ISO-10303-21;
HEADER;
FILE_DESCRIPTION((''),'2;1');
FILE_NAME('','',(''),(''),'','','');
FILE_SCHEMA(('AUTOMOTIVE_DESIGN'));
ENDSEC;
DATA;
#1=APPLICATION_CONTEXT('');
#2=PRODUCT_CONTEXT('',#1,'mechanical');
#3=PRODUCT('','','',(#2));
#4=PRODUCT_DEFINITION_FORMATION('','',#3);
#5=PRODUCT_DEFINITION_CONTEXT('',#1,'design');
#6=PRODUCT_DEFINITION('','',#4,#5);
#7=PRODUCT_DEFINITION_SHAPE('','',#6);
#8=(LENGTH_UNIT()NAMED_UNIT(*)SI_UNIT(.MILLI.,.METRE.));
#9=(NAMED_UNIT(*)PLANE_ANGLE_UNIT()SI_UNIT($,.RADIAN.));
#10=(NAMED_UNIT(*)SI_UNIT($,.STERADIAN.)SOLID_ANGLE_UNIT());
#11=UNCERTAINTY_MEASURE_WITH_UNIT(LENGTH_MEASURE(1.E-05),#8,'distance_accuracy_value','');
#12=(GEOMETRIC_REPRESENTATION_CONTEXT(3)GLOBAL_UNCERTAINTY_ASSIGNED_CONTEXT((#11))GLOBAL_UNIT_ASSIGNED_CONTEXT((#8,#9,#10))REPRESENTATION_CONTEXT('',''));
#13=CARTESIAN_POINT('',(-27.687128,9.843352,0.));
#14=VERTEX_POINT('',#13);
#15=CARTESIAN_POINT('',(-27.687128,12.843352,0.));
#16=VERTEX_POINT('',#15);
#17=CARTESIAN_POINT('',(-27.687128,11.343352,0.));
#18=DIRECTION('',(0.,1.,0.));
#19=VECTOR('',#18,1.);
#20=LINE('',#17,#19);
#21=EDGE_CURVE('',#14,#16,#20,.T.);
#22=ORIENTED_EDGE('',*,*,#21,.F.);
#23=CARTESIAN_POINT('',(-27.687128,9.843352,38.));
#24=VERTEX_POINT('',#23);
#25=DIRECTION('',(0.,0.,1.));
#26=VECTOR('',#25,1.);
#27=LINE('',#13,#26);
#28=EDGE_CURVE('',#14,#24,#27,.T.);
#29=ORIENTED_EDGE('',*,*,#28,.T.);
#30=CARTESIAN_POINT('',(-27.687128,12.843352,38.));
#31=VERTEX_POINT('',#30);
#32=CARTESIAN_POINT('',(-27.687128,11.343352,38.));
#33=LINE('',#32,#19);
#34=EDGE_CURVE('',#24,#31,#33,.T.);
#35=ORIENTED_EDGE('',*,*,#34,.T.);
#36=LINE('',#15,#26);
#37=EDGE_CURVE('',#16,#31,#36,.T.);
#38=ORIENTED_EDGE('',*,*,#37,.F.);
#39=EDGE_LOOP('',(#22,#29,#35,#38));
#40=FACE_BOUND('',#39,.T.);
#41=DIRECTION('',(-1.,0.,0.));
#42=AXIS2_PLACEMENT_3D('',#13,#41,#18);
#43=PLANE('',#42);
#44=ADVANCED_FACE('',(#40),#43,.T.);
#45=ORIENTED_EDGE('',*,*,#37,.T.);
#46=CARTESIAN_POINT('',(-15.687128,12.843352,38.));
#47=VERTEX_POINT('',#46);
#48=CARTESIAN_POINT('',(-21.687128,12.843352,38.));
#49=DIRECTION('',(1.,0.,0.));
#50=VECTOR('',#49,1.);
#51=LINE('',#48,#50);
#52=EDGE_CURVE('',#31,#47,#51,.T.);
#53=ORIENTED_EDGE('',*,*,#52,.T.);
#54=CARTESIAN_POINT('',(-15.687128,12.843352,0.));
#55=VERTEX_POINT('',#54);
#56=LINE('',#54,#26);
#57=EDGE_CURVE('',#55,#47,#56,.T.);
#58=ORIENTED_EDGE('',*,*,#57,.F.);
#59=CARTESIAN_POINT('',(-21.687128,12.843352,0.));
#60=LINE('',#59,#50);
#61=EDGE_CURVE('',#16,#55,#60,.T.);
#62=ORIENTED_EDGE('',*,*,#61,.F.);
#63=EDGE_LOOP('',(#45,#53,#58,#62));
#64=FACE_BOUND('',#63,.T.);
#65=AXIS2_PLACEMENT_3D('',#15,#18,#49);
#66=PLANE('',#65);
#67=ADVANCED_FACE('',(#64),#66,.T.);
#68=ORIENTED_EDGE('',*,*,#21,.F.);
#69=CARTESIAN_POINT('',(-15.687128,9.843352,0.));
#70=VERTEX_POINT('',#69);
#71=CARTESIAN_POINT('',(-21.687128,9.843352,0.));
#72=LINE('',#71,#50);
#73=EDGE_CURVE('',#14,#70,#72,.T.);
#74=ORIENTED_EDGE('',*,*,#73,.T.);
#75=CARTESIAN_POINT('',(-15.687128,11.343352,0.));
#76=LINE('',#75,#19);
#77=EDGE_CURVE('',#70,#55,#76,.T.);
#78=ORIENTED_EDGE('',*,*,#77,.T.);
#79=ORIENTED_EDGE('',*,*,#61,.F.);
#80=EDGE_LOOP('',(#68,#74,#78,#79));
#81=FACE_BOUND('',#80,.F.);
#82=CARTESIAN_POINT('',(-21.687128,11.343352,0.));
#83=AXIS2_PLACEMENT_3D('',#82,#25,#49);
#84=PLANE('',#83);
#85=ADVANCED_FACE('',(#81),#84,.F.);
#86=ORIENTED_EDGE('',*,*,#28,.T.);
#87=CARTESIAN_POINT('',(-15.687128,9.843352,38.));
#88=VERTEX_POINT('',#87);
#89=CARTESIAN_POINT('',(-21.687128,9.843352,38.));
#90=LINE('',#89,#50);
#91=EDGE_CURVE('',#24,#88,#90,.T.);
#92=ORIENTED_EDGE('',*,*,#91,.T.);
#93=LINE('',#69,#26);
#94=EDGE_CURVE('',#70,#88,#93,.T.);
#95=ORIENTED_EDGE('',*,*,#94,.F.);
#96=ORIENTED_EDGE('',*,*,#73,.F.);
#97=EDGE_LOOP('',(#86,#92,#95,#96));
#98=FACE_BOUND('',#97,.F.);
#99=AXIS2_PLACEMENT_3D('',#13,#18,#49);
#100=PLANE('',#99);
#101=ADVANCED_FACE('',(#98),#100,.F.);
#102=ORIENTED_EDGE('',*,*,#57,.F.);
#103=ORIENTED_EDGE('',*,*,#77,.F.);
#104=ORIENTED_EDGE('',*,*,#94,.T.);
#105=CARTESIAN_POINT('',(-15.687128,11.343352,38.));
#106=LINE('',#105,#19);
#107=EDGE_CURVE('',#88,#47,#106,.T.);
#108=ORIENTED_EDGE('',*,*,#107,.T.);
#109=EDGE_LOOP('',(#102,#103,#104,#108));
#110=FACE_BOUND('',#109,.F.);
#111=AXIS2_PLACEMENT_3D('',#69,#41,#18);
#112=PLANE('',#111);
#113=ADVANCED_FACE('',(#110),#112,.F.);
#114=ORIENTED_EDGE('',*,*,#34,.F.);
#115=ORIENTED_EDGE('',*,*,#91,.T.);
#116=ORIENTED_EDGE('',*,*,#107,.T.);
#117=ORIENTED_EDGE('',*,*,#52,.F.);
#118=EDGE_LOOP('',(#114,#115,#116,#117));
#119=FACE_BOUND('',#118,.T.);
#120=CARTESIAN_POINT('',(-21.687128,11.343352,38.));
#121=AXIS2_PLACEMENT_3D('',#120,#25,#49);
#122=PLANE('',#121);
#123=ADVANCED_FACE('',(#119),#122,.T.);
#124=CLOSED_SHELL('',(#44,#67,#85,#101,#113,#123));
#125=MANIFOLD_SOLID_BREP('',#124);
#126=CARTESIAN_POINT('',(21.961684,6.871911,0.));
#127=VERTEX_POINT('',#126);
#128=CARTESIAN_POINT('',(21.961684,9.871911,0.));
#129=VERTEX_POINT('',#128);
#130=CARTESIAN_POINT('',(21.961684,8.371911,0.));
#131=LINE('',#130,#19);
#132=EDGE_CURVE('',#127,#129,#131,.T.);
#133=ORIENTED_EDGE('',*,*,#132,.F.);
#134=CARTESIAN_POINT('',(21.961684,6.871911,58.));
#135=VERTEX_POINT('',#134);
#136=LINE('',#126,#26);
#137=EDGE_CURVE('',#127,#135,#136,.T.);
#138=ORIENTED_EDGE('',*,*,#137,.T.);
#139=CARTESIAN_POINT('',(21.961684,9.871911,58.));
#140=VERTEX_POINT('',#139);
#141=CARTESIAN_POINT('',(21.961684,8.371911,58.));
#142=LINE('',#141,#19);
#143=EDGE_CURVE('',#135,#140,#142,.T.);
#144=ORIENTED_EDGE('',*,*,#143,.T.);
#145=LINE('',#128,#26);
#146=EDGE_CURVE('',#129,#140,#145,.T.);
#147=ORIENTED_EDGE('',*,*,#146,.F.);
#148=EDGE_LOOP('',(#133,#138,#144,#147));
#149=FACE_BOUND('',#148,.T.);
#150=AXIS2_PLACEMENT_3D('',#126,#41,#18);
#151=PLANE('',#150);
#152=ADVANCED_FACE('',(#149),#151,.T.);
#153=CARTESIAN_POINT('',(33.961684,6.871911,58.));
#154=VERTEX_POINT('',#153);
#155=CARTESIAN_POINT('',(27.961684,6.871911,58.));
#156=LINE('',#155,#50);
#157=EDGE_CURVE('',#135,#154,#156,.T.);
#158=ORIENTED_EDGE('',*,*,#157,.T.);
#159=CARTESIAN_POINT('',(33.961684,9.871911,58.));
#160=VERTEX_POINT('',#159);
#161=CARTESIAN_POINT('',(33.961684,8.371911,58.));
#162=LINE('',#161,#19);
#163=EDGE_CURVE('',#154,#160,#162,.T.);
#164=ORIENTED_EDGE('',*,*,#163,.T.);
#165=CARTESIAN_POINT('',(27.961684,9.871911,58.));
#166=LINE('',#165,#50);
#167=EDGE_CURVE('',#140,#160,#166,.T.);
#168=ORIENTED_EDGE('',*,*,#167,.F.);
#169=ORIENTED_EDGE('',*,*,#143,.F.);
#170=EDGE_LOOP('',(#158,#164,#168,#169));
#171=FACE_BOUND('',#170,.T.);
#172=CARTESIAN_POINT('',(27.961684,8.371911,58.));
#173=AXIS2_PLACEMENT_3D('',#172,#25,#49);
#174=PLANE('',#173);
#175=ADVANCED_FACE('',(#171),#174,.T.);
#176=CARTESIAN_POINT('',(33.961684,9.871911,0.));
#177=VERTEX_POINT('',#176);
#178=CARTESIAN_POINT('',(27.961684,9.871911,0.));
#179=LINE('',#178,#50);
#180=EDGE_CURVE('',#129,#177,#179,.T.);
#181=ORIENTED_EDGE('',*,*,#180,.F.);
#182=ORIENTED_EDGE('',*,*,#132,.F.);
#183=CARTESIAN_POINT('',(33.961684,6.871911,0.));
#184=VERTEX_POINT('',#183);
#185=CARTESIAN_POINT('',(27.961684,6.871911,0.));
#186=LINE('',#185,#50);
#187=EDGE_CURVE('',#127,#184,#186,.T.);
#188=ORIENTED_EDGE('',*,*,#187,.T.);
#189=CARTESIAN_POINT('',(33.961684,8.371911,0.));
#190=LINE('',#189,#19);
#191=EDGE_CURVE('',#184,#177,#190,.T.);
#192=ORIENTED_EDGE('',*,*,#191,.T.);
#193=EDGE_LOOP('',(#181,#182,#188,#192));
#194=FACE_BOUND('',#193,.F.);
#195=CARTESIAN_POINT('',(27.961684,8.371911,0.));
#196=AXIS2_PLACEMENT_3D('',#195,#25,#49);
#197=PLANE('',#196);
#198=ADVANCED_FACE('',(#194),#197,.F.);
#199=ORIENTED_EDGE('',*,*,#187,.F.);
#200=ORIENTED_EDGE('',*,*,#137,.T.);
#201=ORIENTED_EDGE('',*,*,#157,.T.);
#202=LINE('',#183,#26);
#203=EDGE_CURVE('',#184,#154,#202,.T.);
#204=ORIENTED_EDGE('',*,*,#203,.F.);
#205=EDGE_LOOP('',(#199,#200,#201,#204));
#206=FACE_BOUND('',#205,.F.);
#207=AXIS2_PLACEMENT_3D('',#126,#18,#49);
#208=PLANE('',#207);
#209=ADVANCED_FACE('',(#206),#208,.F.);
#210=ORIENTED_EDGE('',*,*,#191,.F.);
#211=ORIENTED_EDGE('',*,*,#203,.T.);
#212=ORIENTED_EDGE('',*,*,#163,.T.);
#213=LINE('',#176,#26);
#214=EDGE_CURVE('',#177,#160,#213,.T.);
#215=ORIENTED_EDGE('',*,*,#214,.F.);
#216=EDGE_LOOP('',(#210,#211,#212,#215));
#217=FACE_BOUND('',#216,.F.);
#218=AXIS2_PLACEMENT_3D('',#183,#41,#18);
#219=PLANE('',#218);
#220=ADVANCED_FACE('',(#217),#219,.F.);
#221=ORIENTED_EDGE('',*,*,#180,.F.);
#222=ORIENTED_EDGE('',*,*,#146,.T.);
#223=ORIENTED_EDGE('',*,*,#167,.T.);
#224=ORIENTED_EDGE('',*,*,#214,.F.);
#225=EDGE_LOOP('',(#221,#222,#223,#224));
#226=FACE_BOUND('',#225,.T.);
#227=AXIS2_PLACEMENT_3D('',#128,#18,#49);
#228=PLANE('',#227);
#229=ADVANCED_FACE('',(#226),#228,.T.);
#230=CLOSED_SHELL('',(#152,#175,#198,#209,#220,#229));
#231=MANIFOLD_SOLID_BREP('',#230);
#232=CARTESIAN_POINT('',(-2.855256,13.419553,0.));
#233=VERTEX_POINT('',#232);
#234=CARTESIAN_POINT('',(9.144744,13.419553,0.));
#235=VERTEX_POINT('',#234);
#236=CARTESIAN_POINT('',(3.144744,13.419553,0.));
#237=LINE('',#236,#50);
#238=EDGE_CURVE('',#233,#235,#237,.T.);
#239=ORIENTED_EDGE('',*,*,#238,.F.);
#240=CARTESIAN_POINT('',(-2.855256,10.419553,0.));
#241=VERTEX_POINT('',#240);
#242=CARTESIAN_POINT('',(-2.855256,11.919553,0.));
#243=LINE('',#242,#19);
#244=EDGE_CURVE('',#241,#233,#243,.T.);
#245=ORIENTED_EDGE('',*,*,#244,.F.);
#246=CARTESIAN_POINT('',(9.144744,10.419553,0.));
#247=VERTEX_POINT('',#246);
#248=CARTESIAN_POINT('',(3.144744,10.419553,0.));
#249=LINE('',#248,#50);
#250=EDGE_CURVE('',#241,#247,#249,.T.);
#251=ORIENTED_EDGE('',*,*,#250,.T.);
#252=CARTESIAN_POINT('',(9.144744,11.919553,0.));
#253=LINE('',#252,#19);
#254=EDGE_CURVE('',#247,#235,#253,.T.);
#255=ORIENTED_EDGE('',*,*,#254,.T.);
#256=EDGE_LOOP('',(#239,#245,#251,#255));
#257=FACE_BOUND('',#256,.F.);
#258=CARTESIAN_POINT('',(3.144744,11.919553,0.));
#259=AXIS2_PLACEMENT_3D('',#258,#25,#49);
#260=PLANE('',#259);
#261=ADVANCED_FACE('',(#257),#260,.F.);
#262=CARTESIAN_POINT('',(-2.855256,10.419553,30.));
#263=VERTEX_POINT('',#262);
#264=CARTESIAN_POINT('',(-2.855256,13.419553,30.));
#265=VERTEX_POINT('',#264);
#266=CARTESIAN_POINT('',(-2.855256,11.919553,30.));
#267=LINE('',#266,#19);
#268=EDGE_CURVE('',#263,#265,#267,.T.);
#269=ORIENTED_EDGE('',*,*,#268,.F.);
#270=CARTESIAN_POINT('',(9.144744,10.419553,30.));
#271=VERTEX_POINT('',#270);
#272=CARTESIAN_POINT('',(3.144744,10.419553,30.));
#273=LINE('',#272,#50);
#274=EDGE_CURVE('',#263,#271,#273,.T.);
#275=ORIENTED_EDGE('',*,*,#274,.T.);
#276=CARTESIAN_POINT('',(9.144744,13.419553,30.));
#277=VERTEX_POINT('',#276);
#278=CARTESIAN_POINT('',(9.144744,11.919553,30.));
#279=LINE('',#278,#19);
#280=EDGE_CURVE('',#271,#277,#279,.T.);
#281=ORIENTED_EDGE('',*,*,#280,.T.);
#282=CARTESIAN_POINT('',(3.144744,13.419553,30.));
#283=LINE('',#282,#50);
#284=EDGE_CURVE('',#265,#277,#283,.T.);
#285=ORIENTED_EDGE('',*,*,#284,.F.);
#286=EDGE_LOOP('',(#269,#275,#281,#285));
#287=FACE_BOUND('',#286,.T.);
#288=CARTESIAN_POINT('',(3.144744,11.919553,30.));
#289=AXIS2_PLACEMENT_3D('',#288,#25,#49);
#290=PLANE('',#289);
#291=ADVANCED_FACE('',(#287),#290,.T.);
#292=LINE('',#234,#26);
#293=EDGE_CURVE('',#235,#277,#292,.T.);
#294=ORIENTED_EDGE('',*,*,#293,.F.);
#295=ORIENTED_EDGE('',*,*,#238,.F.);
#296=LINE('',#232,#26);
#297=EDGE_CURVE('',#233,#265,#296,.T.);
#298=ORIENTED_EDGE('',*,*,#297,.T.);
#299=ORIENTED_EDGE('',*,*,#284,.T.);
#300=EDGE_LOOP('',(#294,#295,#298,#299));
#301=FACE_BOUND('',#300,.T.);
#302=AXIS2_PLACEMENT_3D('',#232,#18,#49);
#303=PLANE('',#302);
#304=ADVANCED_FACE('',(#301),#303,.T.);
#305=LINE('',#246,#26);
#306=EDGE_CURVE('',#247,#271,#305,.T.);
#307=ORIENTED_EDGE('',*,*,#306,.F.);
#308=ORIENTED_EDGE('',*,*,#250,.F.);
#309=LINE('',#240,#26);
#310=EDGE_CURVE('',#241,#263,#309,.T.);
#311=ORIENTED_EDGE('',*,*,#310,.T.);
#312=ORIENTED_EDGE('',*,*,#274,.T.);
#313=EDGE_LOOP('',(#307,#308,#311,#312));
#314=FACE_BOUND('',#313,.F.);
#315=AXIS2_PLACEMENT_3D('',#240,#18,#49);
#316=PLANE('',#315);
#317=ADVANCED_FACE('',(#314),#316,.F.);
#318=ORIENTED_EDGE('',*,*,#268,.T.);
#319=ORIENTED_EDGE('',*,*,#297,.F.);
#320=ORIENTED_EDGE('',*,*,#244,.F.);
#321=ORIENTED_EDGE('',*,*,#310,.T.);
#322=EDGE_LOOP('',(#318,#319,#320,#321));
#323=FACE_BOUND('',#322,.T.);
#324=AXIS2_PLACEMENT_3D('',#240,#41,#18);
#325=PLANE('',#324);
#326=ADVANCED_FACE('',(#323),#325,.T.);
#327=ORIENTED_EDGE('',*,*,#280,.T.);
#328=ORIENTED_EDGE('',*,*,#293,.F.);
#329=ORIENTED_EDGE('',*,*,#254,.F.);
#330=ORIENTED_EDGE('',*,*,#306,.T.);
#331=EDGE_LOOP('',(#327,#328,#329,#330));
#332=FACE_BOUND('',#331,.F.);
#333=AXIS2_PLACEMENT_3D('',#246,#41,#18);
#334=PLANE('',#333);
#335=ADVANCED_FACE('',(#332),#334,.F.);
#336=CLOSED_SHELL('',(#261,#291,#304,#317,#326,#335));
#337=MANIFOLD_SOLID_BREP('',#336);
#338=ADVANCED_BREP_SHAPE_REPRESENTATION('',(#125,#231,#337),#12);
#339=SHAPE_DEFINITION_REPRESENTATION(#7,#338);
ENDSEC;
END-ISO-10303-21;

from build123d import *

# Parameters (mm, degrees)
F0_W     = 12
F0_H     = 3
F1_DEPTH = 38
F2_W     = 12
F2_H     = 3
F3_DEPTH = 30
F4_W     = 12
F4_H     = 3
F5_DEPTH = 58


with BuildPart() as f1:
    # F0 (on Top) → F1 (new body)
    with BuildSketch(Plane.XY):
        with Locations((-21.687128, 11.343352)):
            Rectangle(F0_W, F0_H)
    extrude(amount=F1_DEPTH)


with BuildPart() as f3:
    # F2 (on Top) → F3 (new body)
    with BuildSketch(Plane.XY):
        with Locations((3.144744, 11.919553)):
            Rectangle(F2_W, F2_H)
    extrude(amount=F3_DEPTH)


with BuildPart() as f5:
    # F4 (on Top) → F5 (new body)
    with BuildSketch(Plane.XY):
        with Locations((27.961684, 8.371911)):
            Rectangle(F4_W, F4_H)
    extrude(amount=F5_DEPTH)


solid = Compound([f1.part, f3.part, f5.part])
